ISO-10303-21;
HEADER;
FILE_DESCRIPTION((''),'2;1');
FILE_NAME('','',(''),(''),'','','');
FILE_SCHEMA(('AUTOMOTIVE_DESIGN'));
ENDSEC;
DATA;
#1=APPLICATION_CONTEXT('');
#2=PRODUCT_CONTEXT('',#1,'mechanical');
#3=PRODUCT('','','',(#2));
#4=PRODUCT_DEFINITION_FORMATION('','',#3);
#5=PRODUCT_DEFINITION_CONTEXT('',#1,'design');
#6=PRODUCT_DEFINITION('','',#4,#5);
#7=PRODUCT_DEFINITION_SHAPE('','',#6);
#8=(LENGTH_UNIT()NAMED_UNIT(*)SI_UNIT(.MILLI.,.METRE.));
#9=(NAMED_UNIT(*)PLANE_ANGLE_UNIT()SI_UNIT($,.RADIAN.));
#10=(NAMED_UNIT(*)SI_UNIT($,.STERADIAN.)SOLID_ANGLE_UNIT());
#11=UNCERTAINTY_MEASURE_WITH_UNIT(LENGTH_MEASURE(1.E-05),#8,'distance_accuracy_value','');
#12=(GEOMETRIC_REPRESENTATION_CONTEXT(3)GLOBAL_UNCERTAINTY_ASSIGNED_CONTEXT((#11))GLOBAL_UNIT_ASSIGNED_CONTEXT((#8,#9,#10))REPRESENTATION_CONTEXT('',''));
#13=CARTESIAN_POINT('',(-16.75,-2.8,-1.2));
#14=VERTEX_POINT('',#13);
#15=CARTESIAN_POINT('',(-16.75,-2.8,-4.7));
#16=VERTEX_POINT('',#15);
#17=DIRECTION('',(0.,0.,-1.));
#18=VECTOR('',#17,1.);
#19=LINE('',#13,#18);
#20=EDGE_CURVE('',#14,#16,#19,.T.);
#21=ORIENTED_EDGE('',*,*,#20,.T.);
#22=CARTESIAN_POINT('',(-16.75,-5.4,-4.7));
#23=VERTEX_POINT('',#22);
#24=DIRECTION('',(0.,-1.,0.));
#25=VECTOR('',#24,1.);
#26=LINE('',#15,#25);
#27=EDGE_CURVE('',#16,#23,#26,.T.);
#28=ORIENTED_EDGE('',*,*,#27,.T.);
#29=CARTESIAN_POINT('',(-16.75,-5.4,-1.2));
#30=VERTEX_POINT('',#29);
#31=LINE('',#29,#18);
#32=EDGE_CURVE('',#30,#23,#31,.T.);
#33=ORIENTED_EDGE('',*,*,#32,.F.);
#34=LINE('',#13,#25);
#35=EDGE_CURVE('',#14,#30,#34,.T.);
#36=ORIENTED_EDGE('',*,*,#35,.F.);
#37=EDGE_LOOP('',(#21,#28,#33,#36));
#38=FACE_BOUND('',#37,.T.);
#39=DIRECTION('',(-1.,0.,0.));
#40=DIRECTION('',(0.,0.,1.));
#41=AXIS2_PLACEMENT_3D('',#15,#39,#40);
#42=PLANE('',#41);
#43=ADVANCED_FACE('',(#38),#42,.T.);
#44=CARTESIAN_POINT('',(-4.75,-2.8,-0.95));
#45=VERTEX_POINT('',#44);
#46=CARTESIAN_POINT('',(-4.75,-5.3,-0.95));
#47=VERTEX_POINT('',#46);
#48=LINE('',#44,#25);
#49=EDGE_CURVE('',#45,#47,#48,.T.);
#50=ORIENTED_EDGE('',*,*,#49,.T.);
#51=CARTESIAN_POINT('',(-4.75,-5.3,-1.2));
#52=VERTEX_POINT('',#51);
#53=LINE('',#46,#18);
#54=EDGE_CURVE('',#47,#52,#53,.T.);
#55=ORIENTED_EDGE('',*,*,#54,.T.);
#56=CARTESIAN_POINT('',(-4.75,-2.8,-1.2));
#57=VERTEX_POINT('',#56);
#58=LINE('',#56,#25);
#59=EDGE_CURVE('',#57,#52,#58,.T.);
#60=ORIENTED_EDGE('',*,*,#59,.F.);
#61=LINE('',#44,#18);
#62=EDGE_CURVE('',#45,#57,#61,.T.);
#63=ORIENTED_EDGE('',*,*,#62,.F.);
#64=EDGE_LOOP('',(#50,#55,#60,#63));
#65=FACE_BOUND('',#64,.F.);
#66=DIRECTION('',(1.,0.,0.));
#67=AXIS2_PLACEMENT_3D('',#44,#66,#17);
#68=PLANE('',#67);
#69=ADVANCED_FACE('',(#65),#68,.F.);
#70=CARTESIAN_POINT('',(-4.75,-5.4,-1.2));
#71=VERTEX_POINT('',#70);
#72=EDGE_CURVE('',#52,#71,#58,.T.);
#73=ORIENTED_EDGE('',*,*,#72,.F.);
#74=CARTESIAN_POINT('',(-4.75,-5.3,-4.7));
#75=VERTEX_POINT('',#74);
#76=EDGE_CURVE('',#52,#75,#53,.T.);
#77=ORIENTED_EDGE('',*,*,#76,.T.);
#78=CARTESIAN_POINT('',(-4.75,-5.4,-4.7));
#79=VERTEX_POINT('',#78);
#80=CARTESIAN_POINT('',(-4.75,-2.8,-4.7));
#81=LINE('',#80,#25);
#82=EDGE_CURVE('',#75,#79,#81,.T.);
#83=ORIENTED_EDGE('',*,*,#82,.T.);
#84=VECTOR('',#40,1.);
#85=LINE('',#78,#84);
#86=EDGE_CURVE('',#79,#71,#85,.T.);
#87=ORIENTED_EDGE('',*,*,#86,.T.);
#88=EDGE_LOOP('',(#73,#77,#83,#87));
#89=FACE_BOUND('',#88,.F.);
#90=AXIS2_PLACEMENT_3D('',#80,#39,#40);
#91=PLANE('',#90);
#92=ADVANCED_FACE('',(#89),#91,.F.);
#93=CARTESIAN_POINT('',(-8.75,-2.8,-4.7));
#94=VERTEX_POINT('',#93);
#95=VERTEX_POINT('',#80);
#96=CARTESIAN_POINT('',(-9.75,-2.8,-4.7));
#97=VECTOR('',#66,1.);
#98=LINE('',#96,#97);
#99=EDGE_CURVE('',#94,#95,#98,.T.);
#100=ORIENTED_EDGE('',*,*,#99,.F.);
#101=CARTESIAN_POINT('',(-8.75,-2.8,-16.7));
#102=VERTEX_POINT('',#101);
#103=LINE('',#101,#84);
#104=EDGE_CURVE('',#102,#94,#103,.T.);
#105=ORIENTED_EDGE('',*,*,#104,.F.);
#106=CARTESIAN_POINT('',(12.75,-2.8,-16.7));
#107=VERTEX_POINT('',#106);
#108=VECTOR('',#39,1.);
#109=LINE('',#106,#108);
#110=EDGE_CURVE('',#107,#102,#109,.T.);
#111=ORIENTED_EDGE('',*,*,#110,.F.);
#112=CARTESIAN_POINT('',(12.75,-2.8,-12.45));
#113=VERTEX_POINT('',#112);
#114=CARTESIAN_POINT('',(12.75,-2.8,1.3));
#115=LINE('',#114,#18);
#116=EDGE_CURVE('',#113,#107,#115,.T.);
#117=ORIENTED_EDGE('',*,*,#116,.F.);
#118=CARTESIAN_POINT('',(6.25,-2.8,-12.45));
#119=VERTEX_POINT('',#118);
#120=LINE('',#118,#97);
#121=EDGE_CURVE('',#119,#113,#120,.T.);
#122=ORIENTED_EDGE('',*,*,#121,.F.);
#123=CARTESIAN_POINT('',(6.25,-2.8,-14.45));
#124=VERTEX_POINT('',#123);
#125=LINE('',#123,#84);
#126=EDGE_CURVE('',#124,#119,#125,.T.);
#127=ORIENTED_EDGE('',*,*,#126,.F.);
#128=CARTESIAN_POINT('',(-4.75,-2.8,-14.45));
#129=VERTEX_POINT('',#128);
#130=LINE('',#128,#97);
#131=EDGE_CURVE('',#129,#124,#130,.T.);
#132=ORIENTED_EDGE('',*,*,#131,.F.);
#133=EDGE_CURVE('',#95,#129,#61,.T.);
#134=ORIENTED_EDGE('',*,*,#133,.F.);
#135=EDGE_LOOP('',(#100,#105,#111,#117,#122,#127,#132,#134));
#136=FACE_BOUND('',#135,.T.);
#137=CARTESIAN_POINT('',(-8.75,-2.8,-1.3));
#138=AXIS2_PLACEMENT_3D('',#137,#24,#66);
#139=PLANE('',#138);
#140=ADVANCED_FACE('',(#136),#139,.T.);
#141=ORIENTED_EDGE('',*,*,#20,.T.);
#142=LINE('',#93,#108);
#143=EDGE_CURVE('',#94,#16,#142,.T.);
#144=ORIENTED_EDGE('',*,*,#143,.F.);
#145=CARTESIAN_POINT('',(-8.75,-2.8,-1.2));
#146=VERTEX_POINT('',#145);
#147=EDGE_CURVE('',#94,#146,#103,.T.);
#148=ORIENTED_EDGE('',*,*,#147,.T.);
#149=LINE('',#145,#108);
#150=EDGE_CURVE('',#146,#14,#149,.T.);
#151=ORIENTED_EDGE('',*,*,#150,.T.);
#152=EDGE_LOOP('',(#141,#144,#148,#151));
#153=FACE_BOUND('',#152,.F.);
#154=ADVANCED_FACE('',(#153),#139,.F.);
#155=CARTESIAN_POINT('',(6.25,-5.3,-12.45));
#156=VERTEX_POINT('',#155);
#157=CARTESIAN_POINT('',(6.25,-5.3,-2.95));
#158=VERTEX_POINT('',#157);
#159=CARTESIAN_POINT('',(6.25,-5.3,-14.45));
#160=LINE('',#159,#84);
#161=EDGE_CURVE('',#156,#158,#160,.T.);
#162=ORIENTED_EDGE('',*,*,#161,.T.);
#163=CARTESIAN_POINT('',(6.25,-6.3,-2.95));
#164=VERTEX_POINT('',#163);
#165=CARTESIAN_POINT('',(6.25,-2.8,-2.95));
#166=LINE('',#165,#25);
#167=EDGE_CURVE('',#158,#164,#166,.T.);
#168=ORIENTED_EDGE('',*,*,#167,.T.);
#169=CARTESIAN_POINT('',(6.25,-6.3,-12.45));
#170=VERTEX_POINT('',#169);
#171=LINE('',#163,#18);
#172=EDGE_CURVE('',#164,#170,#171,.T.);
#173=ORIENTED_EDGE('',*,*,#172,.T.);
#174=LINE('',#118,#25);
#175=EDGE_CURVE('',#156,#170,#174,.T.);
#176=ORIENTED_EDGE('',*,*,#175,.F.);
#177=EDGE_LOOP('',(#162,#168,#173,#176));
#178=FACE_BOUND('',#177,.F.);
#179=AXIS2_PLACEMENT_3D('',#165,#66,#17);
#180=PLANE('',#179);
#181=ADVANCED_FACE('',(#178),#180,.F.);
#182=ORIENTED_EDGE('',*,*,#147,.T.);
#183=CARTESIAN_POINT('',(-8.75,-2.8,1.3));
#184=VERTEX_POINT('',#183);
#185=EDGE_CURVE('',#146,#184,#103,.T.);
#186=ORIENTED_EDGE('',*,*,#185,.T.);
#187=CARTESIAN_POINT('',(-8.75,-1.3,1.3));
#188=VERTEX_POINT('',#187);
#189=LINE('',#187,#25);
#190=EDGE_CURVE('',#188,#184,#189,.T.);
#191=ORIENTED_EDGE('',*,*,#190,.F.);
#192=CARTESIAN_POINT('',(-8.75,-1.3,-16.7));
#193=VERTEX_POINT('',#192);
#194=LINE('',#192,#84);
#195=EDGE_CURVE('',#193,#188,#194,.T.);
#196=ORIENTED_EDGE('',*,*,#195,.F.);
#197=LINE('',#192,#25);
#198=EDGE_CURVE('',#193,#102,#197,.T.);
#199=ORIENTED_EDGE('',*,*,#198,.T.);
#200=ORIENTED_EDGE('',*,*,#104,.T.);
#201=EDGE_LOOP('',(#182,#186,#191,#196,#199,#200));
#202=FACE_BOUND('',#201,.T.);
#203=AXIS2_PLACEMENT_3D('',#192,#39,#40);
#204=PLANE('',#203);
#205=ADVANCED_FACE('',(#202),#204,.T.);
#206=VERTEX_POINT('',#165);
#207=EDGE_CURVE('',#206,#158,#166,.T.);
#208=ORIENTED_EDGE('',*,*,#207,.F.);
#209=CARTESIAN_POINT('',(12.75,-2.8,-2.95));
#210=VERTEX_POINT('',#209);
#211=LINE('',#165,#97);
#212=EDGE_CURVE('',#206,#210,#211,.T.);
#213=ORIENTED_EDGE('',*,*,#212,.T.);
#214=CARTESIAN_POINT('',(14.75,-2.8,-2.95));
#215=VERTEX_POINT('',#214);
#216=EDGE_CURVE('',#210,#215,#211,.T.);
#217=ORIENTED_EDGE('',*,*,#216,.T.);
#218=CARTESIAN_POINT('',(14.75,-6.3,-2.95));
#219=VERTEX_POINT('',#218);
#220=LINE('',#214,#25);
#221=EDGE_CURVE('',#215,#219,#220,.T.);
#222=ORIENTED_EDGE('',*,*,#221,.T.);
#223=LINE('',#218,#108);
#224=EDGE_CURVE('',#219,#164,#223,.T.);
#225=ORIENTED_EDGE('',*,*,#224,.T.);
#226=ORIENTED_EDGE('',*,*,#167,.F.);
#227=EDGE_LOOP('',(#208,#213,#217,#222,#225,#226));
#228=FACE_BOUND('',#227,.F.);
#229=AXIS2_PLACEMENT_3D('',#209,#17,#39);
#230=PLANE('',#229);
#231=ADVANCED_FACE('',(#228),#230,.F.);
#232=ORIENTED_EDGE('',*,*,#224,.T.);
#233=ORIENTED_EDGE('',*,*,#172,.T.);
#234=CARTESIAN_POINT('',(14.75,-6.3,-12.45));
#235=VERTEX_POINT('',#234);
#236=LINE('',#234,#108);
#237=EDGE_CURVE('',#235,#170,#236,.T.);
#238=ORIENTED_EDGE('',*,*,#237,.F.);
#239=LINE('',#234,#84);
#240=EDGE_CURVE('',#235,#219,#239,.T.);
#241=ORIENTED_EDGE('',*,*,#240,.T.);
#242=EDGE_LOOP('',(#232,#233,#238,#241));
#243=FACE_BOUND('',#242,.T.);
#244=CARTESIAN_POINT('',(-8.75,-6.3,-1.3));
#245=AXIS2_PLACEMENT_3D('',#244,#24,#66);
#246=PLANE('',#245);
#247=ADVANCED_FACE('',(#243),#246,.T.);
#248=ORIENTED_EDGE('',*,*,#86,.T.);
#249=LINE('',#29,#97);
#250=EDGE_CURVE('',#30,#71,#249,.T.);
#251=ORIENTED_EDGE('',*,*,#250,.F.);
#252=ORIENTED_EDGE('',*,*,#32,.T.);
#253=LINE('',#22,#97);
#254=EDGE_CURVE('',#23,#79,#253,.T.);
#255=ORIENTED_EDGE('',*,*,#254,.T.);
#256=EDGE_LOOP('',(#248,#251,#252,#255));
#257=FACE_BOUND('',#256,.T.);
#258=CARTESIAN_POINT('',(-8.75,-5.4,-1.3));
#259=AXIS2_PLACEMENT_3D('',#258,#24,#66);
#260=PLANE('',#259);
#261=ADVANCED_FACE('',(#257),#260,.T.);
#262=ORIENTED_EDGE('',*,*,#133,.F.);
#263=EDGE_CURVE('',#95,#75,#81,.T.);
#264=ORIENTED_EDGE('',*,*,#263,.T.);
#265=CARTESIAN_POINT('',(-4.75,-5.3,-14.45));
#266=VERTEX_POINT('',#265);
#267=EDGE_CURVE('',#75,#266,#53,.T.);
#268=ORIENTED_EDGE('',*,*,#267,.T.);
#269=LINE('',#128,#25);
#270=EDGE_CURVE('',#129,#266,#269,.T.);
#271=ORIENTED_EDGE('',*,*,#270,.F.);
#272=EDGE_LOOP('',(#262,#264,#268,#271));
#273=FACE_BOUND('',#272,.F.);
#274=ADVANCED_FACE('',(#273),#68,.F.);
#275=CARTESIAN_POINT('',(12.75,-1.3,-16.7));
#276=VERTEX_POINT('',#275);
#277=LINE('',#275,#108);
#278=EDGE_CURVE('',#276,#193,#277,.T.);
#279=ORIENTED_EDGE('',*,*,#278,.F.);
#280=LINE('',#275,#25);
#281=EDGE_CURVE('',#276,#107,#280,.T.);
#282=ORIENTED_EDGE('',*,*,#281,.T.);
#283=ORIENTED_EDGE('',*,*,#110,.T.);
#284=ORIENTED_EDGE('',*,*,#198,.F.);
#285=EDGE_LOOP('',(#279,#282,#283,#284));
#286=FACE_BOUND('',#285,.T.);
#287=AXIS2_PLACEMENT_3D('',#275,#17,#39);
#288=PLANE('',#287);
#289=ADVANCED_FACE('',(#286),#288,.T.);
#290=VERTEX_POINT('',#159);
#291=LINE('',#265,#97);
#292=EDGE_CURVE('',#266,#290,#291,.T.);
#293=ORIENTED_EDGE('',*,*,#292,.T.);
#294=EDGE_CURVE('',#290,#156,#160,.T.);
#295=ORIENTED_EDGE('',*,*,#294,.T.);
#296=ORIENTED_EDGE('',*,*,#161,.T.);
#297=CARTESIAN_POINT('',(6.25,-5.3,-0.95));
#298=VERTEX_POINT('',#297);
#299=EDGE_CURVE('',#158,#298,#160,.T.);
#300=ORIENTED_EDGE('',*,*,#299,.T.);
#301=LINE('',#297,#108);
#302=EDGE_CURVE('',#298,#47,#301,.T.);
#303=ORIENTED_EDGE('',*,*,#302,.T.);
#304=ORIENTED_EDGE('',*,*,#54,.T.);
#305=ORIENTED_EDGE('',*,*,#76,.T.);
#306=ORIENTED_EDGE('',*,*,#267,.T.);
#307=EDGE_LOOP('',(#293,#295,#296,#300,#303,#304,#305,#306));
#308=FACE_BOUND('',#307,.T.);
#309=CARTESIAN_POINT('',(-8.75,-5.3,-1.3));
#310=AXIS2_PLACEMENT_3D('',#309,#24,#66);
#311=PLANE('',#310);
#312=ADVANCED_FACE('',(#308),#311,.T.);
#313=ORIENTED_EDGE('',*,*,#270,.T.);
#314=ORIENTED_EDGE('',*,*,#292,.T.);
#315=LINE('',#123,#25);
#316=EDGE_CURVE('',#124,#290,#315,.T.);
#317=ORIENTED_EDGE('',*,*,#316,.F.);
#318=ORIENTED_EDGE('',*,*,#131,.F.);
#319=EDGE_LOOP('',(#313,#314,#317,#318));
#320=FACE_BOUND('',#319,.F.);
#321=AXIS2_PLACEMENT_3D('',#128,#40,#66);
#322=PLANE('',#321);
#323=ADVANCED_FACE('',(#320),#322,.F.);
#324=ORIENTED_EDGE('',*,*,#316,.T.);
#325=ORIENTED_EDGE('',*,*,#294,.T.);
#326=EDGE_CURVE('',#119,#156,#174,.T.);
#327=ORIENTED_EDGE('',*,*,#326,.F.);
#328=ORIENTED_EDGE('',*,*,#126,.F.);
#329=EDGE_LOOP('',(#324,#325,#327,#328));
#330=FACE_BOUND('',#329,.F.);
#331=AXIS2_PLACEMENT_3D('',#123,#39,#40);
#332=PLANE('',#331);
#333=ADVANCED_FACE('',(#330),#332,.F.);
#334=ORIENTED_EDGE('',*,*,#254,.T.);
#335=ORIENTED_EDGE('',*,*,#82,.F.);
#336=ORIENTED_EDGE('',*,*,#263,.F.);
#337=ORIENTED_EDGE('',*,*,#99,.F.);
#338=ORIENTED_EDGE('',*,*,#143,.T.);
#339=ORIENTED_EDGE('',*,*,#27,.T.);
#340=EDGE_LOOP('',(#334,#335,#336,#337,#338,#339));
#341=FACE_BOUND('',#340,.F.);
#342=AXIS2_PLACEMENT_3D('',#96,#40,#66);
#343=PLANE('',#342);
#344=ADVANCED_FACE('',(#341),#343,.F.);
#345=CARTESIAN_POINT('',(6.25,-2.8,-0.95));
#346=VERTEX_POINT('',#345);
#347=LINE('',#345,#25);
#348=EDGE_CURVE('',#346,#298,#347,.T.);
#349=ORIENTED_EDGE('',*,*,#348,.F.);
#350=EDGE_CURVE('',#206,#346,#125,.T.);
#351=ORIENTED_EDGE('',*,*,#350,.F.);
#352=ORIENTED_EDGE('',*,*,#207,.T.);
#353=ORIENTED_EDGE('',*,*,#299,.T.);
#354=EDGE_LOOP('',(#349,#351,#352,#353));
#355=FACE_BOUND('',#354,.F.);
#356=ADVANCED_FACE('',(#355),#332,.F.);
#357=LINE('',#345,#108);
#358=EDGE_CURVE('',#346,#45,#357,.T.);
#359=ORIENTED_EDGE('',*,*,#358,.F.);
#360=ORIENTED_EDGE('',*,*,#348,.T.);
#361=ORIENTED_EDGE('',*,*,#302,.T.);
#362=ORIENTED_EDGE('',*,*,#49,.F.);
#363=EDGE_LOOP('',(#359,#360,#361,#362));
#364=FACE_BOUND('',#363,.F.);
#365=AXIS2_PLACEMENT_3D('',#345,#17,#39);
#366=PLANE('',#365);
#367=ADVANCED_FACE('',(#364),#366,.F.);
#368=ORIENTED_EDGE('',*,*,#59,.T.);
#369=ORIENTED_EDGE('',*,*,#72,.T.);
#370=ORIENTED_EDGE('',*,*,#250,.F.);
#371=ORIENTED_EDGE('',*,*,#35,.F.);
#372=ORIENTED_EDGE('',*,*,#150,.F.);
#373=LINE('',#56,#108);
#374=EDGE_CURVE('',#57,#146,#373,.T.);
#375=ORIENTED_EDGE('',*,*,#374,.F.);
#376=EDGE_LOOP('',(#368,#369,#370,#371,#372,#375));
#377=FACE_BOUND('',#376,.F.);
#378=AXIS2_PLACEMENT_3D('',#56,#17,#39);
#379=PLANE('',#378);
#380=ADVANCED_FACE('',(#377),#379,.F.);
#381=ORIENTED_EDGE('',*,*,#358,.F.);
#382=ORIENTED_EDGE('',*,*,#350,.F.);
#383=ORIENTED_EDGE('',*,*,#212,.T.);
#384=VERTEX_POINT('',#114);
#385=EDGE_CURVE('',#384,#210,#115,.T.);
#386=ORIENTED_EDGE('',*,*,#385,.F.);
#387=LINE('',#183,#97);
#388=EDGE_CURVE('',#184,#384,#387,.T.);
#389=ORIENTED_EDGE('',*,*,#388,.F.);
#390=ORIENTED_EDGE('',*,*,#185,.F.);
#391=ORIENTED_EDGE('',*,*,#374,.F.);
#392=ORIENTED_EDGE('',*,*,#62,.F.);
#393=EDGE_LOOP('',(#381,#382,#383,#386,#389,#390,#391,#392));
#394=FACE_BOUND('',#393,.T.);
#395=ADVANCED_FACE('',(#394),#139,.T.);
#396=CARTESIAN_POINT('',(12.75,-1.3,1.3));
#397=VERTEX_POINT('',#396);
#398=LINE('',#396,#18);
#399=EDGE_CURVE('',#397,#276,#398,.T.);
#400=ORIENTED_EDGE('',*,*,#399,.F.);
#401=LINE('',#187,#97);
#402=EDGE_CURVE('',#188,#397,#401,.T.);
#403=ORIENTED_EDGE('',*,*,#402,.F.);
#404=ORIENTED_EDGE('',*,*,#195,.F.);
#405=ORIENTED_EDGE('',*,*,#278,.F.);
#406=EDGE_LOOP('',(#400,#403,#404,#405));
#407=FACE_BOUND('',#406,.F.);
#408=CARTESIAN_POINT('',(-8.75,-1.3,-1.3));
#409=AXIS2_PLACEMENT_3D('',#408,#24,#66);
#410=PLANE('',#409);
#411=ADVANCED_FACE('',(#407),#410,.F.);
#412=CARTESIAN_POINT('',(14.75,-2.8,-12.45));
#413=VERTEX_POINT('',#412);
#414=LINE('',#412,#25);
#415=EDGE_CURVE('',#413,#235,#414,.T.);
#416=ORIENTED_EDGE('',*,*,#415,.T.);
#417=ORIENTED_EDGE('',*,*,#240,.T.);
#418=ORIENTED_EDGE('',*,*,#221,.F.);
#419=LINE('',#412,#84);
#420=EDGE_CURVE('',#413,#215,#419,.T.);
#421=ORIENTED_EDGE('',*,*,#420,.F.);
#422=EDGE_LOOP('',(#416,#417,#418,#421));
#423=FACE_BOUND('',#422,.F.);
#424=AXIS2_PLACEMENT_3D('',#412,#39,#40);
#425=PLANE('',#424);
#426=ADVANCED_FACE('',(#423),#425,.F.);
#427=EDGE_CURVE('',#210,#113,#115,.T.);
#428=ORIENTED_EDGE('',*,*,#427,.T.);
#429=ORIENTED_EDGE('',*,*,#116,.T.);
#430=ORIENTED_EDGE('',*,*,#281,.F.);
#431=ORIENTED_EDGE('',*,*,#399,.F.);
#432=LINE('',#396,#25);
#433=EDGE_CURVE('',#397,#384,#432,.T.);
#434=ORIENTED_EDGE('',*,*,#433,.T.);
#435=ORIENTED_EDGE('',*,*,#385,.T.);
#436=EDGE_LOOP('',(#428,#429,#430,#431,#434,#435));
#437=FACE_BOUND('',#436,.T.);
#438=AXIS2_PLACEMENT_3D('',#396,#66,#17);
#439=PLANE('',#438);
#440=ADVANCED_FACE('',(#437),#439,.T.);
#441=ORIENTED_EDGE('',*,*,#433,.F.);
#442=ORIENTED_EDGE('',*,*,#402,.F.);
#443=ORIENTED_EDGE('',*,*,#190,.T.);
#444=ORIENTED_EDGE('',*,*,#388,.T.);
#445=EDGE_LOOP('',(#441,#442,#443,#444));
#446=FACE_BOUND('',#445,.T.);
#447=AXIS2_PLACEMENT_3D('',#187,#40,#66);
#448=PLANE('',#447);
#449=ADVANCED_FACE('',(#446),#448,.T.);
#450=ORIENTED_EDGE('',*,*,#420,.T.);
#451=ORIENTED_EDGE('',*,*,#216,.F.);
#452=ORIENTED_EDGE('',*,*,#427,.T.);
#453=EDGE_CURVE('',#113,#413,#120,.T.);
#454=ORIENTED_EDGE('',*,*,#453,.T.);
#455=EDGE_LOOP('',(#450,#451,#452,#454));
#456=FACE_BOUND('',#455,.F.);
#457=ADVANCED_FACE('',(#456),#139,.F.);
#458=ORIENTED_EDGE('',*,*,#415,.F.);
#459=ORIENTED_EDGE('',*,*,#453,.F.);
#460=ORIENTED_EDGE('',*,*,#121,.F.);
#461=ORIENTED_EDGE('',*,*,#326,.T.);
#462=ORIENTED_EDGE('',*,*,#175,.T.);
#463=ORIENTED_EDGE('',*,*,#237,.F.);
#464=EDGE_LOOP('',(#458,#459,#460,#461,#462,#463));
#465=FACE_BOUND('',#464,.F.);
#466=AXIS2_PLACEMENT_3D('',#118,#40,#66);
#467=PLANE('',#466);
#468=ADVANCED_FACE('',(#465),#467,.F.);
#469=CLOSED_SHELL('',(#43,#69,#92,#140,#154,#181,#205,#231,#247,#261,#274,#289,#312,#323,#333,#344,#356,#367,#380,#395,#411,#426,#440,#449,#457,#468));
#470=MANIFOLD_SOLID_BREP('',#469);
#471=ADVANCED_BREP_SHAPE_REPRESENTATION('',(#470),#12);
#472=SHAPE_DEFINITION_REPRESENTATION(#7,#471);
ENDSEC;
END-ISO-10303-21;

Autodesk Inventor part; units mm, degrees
ref_plane "YZ Plane" through (0, 0, 0) normal (1, 0, 0) x (0, 1, 0)
ref_plane "XZ Plane" through (0, 0, 0) normal (0, 1, 0) x (-1, 0, 0)
ref_plane "РабПлоскость1" through (-8.75, -1.3, -1.3) normal (0, -1, 0) x (1, 0, 0)
sketch "Эскиз1" plane through (-8.75, -1.3, -1.3) normal (0, -1, 0) x (1, 0, 0)
  line L0 (21.5, -15.4) -> (0, -15.4)
  line L1 (0, -15.4) -> (0, 2.6)
  line L2 (0, 2.6) -> (21.5, 2.6)
  line L3 (21.5, 2.6) -> (21.5, -15.4)
  point P0 (8.75, 1.3)
  point P1 (0, 2.6)
  dimension "d0" = 21.5
  dimension "d1" = 18
extrude "Выдавливание1" add sketch "Эскиз1" along normal blind 1.5
sketch "Эскиз2" plane through (-8.75, -2.8, -1.3) normal (0, -1, 0) x (1, 0, 0)
  line L0 (21.5, -15.4) -> (21.5, 2.6) projected
  line L1 (23.5, -1.65) -> (15, -1.65)
  line L2 (15, -1.65) -> (15, -11.15)
  line L3 (15, -11.15) -> (23.5, -11.15)
  line L4 (23.5, -11.15) -> (23.5, -1.65)
  point P0 (8.75, 1.3)
  point P1 (15, -6.4)
  point P2 (21.5, -6.4)
  dimension "d17" = 8.5
  dimension "d18" = 9.5
  dimension "d19" = 6.5
extrude "Выдавливание2" add sketch "Эскиз2" along normal blind 3.5
ref_plane "РабПлоскость2" through (-8.75, -1.3, -7.7) normal (0, 0, 1) x (1, 0, 0)
sketch "Эскиз4" plane through (-8.75, -2.8, -1.3) normal (0, -1, 0) x (1, 0, 0)
  line L0 (15, 0.35) -> (4, 0.35)
  line L1 (4, 0.35) -> (4, -13.15)
  line L2 (4, -13.15) -> (15, -13.15)
  line L3 (15, -13.15) -> (15, 0.35)
  line L4 (0, 2.6) -> (0, -15.4) projected
  point P0 (8.75, 1.3)
  point P1 (15, -6.4)
  point P2 (0, -6.4)
  dimension "d20" = 11
  dimension "d21" = 13.5
  dimension "d22" = 15
extrude "Выдавливание4" add sketch "Эскиз4" along normal blind 2.5
sketch "Эскиз5" plane through (-8.75, -2.8, -1.3) normal (0, -1, 0) x (1, 0, 0)
  line L0 (-1, -3.4) -> (4, -3.4)
  line L1 (4, -3.4) -> (4, 0.1)
  line L2 (4, 0.1) -> (-1, 0.1)
  line L3 (-1, 0.1) -> (-1, -3.4)
  line L4 (21.5, 2.6) -> (0, 2.6) projected
  line L5 (4, 0.35) -> (4, -13.15) projected
  point P0 (8.75, 1.3)
  point P1 (4, -1.65)
  point P2 (4, -6.4)
  dimension "d25" = 5
  dimension "d26" = 3.5
  dimension "d27" = 6
extrude "Выдавливание5" add sketch "Эскиз5" along normal blind 2.6
sketch "Эскиз6" plane through (-9.75, -2.8, -4.7) normal (-1, 0, 0) x (0, 0, 1)
  circle A0 centre (1.75, -1.3) radius 1
  line L0 (3.5, -2.6) -> (0, -2.6) projected
  line L1 (3.5, 0) -> (3.5, -2.6) projected
  line L2 (3.5, 0) -> (0, 0) projected
  line L3 (0, 0) -> (0, -2.6) projected
  point P0 (4.7, 2.8)
  point P1 (1.75, -2.6)
  point P2 (3.5, -1.3)
  dimension "d30" = 2
extrude "Выдавливание6" add sketch "Эскиз6" along normal blind 7 contours A0 | L0 L3 L2 L1
properties part number "ЛЦМК0000002.00.00.00.00.03"
